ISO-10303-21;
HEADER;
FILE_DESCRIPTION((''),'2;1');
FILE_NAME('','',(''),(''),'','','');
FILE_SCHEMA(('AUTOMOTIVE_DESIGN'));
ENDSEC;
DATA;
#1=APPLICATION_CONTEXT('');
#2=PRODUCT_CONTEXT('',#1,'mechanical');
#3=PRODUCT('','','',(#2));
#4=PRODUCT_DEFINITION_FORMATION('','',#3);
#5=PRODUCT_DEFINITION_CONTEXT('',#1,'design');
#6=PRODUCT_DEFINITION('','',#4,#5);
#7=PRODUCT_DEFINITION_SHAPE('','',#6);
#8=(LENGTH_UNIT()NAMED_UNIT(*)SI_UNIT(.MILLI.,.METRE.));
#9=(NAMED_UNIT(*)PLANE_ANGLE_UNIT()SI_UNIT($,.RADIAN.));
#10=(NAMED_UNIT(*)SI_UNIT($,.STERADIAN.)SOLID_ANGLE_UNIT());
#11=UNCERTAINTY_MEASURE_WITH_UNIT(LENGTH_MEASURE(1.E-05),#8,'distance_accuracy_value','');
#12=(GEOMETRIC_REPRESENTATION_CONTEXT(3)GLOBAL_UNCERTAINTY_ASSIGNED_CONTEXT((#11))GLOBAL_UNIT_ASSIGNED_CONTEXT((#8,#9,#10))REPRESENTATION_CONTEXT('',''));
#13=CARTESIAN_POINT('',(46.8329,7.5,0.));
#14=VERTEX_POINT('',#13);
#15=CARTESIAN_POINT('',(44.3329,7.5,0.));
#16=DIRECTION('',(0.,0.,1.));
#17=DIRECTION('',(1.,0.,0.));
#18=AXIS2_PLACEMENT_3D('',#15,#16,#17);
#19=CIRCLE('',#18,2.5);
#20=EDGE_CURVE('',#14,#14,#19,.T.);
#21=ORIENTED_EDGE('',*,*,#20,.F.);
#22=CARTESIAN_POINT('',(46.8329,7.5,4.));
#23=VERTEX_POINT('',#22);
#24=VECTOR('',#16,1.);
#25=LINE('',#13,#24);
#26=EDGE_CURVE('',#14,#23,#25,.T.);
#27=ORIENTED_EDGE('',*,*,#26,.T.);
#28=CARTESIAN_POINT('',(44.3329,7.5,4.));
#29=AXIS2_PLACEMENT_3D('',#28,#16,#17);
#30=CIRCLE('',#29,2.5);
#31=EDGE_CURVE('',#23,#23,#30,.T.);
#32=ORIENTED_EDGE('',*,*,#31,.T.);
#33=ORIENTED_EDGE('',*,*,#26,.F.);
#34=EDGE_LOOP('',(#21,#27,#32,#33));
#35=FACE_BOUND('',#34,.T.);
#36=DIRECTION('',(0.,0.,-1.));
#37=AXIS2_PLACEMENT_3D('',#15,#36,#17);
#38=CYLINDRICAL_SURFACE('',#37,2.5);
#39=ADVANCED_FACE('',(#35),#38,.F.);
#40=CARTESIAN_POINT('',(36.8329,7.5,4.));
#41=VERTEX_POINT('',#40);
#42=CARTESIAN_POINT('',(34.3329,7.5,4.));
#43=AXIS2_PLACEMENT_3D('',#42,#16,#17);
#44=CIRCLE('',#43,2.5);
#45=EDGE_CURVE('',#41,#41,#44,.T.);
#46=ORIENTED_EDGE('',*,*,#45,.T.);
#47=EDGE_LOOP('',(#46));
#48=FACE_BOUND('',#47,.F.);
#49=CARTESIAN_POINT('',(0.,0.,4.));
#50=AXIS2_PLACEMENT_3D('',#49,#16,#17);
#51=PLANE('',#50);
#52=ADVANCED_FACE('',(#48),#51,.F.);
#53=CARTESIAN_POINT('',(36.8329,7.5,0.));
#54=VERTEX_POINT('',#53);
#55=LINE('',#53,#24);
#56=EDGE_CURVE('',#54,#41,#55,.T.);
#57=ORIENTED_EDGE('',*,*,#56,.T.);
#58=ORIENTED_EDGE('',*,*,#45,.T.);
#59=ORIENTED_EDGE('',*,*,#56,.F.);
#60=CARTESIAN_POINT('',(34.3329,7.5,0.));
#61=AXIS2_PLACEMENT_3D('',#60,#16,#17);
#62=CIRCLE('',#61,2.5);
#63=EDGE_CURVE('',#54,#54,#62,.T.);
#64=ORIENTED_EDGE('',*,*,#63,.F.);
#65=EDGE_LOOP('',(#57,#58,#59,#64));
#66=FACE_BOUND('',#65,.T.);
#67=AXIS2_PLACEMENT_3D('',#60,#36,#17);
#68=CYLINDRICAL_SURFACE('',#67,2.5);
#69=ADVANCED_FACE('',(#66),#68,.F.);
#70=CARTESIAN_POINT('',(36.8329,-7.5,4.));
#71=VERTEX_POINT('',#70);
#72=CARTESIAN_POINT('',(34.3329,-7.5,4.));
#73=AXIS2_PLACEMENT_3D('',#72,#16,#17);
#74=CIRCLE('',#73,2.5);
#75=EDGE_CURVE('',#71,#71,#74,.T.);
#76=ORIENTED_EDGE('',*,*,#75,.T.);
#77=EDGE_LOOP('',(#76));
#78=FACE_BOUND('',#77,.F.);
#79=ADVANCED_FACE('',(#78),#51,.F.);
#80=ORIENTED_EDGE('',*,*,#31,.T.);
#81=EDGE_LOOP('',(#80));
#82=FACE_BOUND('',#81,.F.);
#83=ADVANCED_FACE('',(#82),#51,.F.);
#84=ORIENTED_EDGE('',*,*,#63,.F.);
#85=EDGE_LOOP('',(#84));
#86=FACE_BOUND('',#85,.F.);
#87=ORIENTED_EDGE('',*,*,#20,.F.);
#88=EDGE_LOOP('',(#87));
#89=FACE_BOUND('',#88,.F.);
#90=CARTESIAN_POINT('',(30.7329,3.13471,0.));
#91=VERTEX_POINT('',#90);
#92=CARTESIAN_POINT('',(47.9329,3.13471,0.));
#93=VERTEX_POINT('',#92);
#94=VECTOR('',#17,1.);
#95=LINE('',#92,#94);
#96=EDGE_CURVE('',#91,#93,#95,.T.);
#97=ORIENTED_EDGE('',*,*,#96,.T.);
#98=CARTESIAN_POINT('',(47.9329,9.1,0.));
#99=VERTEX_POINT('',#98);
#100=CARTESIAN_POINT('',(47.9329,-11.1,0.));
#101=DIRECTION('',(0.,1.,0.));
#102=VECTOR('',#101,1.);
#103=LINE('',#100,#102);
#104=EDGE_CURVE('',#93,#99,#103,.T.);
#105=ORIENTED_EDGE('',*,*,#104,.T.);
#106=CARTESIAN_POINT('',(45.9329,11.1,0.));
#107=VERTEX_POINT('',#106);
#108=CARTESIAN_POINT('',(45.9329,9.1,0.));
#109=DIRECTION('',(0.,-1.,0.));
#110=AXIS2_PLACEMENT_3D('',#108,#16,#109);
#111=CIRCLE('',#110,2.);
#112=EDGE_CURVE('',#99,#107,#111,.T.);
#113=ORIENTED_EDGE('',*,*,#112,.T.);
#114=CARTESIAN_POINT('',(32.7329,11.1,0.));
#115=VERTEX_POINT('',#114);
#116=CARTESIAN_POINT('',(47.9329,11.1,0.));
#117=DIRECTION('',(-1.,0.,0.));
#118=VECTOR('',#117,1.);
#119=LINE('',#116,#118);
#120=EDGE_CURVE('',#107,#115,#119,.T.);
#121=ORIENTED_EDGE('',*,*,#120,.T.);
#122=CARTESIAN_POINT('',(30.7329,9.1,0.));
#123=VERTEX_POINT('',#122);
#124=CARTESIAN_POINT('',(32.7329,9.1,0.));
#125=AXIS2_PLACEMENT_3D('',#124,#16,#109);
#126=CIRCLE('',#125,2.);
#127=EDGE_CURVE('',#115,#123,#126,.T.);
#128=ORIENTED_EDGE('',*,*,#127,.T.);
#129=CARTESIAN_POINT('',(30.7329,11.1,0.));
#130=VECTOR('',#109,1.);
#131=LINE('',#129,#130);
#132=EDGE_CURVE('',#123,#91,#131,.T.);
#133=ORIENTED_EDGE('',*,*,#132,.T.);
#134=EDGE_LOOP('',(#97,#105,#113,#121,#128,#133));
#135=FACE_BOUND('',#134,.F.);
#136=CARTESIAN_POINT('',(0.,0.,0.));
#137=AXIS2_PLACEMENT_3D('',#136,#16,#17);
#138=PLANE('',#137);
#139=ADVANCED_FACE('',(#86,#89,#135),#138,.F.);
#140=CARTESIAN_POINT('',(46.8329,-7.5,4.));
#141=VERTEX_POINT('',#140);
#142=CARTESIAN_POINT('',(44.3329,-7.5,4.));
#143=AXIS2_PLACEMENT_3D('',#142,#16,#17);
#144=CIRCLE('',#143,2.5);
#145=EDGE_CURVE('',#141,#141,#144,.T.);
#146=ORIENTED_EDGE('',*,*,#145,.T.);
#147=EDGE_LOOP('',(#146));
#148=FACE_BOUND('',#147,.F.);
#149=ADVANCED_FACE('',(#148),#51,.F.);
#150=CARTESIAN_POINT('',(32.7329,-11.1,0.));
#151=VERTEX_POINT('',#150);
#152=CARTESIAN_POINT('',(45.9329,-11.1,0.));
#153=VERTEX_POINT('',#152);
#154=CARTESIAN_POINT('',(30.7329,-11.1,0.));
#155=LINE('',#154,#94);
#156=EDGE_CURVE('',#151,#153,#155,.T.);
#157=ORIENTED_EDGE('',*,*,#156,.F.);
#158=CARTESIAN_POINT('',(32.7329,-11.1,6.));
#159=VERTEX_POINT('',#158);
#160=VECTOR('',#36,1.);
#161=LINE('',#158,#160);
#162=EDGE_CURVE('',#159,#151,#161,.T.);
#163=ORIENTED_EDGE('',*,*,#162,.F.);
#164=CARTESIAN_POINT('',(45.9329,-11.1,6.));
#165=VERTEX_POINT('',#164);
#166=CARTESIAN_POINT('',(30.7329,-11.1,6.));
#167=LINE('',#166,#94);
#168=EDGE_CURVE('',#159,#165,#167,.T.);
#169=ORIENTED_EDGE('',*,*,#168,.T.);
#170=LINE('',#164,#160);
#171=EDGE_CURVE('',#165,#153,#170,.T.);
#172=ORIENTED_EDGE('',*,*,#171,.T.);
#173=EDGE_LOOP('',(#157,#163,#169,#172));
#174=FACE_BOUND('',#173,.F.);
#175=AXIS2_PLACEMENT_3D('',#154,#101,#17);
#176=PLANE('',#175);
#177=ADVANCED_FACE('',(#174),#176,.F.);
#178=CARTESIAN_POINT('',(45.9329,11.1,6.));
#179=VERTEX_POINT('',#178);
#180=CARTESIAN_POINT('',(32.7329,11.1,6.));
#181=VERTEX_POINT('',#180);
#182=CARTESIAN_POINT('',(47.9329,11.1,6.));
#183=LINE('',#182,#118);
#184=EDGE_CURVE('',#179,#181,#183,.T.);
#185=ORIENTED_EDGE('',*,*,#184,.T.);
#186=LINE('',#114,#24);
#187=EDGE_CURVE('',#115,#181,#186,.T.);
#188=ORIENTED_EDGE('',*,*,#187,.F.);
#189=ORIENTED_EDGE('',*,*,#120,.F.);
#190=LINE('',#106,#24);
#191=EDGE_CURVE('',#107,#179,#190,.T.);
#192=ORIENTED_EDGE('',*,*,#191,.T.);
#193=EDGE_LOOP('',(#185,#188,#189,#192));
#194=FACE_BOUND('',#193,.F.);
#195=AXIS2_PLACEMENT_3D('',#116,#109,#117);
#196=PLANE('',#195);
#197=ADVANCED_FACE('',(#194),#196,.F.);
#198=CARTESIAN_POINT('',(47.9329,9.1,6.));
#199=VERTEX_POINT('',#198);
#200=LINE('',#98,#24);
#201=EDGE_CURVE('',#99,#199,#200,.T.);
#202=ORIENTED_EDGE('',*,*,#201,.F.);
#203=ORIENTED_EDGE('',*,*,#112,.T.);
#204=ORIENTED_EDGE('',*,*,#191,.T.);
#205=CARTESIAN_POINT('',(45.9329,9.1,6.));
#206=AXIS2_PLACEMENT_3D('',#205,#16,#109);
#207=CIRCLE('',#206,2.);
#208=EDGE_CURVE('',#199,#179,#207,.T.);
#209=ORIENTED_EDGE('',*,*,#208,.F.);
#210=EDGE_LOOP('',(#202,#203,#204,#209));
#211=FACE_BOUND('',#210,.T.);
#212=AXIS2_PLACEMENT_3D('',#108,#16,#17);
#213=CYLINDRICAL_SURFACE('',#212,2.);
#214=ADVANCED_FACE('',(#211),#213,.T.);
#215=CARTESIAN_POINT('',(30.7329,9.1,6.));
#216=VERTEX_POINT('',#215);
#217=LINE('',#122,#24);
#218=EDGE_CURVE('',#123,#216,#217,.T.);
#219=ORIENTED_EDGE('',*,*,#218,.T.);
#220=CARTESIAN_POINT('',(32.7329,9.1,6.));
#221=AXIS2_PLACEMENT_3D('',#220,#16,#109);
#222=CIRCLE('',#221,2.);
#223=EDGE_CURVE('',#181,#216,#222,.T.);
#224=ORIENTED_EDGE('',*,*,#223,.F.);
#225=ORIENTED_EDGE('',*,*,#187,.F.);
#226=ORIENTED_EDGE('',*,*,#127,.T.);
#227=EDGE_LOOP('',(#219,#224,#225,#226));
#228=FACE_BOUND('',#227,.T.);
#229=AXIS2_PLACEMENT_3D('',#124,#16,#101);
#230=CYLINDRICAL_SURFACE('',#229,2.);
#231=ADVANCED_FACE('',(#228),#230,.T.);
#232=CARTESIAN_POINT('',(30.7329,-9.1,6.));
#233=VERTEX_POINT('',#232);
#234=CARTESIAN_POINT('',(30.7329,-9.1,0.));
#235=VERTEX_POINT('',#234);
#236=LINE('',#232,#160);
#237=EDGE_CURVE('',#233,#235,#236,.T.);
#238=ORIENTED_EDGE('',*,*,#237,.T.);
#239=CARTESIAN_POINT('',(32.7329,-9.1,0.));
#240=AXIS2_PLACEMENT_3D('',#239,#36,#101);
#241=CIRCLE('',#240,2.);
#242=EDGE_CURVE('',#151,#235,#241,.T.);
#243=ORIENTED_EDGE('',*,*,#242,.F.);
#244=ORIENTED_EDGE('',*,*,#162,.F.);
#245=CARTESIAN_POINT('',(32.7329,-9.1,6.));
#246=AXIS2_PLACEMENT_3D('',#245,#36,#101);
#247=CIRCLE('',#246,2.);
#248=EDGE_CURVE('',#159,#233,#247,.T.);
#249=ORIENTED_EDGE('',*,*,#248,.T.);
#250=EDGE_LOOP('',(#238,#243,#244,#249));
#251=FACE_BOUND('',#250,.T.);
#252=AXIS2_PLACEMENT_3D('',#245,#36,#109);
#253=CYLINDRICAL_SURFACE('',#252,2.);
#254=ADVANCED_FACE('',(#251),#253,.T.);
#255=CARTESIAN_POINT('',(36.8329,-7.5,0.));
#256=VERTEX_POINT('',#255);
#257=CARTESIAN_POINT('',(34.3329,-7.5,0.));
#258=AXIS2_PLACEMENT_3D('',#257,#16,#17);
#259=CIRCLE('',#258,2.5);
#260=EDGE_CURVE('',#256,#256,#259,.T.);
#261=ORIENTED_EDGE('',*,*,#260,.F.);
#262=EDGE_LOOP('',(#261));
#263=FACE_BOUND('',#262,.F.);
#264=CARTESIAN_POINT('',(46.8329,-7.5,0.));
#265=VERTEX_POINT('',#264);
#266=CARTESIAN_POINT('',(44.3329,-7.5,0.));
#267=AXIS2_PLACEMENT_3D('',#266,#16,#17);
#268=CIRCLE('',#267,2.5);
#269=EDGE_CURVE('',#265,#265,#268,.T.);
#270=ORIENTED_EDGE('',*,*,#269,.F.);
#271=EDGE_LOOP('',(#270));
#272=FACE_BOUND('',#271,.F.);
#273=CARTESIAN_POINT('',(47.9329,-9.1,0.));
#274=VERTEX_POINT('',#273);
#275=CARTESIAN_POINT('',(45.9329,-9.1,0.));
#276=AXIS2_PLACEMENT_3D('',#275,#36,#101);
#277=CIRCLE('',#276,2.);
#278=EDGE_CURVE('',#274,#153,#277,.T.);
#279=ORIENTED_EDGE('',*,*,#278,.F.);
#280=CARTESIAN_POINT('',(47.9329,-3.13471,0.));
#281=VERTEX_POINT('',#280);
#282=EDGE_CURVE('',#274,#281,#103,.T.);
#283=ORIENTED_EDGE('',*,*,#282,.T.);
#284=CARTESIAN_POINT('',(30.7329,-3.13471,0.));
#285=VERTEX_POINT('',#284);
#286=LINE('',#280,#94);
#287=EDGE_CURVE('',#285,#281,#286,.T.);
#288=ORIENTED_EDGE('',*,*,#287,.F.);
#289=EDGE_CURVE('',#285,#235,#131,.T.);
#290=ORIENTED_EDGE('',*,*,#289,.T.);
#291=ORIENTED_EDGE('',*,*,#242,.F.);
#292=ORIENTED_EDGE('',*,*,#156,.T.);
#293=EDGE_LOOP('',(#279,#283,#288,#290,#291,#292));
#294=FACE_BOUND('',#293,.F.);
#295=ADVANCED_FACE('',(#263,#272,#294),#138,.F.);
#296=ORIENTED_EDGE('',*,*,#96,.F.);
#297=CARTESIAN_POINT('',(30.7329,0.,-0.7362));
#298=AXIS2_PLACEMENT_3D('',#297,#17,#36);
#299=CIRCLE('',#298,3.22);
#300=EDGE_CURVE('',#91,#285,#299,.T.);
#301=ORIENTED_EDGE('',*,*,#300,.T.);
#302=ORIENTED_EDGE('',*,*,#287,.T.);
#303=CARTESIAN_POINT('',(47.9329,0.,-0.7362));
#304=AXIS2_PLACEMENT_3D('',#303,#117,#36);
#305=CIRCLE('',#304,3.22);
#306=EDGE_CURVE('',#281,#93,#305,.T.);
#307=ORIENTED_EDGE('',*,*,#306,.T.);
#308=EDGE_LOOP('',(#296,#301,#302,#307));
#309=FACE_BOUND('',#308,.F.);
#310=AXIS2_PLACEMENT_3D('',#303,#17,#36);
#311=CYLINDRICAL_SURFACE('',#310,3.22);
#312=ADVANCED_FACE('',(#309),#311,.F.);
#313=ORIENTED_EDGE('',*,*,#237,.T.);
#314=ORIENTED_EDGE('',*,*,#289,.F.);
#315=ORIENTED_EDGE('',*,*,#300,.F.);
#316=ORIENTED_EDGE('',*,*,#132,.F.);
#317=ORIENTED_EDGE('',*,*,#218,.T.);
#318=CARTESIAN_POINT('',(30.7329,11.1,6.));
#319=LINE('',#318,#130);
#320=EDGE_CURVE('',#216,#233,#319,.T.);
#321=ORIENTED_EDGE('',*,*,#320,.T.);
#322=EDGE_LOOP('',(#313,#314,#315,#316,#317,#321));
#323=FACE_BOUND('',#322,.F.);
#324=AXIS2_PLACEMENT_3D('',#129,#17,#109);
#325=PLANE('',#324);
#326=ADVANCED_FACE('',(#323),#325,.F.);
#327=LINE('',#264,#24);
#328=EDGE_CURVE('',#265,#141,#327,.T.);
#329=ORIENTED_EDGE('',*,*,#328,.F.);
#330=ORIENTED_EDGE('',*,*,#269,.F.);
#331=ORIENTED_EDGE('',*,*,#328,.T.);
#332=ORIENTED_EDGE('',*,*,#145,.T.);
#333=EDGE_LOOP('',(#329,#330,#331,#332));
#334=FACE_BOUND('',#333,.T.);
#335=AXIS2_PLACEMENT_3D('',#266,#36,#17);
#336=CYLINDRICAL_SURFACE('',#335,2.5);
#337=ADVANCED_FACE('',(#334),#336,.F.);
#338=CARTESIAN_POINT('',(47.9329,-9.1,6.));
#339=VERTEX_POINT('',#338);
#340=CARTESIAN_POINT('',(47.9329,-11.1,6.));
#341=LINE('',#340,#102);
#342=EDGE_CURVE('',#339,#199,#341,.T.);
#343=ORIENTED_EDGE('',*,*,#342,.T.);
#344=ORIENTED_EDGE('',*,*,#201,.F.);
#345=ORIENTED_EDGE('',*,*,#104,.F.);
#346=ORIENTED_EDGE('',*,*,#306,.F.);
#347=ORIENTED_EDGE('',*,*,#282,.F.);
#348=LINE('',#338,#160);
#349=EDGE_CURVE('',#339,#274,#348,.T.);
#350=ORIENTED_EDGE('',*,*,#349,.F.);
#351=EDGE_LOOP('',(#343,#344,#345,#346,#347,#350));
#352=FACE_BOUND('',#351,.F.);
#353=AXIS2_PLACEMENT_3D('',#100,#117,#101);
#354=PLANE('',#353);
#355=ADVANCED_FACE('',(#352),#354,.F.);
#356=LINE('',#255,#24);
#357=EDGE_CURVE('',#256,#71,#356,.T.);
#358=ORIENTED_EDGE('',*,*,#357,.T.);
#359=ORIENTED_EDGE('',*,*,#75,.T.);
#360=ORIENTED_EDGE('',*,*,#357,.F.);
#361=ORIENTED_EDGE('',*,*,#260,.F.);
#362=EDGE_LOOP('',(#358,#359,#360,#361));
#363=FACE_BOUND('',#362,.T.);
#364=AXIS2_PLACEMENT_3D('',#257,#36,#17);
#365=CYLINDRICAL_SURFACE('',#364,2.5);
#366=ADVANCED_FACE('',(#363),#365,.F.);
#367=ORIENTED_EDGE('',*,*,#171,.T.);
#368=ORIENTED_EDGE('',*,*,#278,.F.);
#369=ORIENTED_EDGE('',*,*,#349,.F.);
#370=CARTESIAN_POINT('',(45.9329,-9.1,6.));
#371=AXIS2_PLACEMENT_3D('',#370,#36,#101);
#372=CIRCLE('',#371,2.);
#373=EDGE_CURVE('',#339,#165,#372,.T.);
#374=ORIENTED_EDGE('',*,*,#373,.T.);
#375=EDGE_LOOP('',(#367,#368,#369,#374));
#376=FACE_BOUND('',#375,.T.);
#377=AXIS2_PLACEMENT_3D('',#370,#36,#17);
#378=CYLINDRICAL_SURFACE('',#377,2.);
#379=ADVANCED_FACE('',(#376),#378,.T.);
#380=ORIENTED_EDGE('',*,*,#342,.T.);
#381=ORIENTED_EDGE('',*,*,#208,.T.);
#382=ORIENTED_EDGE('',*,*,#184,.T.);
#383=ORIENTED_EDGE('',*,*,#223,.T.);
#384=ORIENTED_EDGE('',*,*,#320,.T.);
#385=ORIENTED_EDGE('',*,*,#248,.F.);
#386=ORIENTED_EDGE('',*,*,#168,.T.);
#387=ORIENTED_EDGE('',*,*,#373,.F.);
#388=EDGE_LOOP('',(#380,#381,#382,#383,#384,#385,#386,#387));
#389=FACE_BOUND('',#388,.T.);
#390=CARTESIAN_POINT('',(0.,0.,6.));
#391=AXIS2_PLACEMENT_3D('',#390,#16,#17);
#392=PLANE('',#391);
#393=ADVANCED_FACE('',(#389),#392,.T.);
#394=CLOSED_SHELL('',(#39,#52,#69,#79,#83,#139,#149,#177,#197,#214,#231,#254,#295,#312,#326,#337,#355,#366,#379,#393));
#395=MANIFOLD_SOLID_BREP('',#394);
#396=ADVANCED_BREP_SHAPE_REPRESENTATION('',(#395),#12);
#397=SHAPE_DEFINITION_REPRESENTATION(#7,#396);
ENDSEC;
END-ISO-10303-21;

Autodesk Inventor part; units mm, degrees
ref_plane "YZ Plane" through (0, 0, 0) normal (1, 0, 0) x (0, 1, 0)
ref_plane "XZ Plane" through (0, 0, 0) normal (0, 1, 0) x (-1, 0, 0)
ref_plane "XY Plane" through (0, 0, 0) normal (0, 0, 1) x (1, 0, 0)
ref_plane "Arbeitsebene1" through (0, 0, 0) normal (0, 0, 1) x (1, 0, 0)
sketch "Skizze1" plane through (0, 0, 0) normal (0, 0, 1) x (1, 0, 0)
  circle A0 centre (34.3329, 7.5) radius 3.25 construction
  circle A1 centre (44.3329, 7.5) radius 3.25 construction
  circle A2 centre (34.3329, -7.5) radius 3.25 construction
  circle A3 centre (44.3329, -7.5) radius 3.25 construction
  line L0 (34.3329, 7.5) -> (44.3329, 7.5) construction
  line L1 (44.3329, 7.5) -> (44.3329, -7.5) construction
  line L2 (44.3329, -7.5) -> (34.3329, -7.5) construction
  line L3 (34.3329, -7.5) -> (34.3329, 7.5) construction
  line L4 (47.9329, 11.1) -> (30.7329, 11.1)
  line L5 (30.7329, 11.1) -> (30.7329, -11.1)
  line L6 (30.7329, -11.1) -> (47.9329, -11.1)
  line L7 (47.9329, -11.1) -> (47.9329, 11.1)
  circle A4 centre (34.3329, 7.5) radius 2.5
  circle A5 centre (44.3329, 7.5) radius 2.5
  circle A6 centre (34.3329, -7.5) radius 2.5
  circle A7 centre (44.3329, -7.5) radius 2.5
  point P0 (0, 0)
  dimension "d0" = 3.6
  dimension "d1" = 5
  dimension "d2" = 5
  dimension "d3" = 5
  dimension "d4" = 5
extrude "Extrusion1" add sketch "Skizze1" along normal blind 4
sketch "Skizze2" plane through (0, 0, 4) normal (0, 0, 1) x (1, 0, 0)
  line L0 (30.7329, 11.1) -> (30.7329, -11.1) projected
  line L1 (30.7329, -11.1) -> (47.9329, -11.1) projected
  line L2 (47.9329, -11.1) -> (47.9329, 11.1) projected
  line L3 (47.9329, 11.1) -> (30.7329, 11.1) projected
  circle A0 centre (34.3329, 7.5) radius 2.5 projected
  circle A1 centre (44.3329, 7.5) radius 2.5 projected
  circle A2 centre (34.3329, -7.5) radius 2.5 projected
  circle A3 centre (44.3329, -7.5) radius 2.5 projected
  point P0 (0, 0)
extrude "Extrusion2" add sketch "Skizze2" along normal blind 2 contours L3 L2 L1 L0 | A0 | A1 | A2 | A3
sketch "Skizze3" plane through (47.9329, -11.1, 0) normal (1, 0, 0) x (0, 0, -1)
  circle A0 centre (0, 11.1) radius 3.22 projected
  circle A1 centre (0.7362, 11.1) radius 3.22
  point P0 (0, 11.1)
  dimension "d9" = 6.44
  dimension "d10" = 6.44
extrude "Extrusion3" cut sketch "Skizze3" against normal through all contours A0 A1 | A0 A1 picked at (-0.5511, 10.842) picked at (3.403, 11.6139)
fillet "Rundung1" radius 2 4 edges at (47.9329, -11.1, 3) (47.9329, 11.1, 3) (30.7329, 11.1, 3) (30.7329, -11.1, 3)
equation "\"d10\" = d9"
properties part number "20_Cube_Insert_Template_magnetic_clamp_v3"
